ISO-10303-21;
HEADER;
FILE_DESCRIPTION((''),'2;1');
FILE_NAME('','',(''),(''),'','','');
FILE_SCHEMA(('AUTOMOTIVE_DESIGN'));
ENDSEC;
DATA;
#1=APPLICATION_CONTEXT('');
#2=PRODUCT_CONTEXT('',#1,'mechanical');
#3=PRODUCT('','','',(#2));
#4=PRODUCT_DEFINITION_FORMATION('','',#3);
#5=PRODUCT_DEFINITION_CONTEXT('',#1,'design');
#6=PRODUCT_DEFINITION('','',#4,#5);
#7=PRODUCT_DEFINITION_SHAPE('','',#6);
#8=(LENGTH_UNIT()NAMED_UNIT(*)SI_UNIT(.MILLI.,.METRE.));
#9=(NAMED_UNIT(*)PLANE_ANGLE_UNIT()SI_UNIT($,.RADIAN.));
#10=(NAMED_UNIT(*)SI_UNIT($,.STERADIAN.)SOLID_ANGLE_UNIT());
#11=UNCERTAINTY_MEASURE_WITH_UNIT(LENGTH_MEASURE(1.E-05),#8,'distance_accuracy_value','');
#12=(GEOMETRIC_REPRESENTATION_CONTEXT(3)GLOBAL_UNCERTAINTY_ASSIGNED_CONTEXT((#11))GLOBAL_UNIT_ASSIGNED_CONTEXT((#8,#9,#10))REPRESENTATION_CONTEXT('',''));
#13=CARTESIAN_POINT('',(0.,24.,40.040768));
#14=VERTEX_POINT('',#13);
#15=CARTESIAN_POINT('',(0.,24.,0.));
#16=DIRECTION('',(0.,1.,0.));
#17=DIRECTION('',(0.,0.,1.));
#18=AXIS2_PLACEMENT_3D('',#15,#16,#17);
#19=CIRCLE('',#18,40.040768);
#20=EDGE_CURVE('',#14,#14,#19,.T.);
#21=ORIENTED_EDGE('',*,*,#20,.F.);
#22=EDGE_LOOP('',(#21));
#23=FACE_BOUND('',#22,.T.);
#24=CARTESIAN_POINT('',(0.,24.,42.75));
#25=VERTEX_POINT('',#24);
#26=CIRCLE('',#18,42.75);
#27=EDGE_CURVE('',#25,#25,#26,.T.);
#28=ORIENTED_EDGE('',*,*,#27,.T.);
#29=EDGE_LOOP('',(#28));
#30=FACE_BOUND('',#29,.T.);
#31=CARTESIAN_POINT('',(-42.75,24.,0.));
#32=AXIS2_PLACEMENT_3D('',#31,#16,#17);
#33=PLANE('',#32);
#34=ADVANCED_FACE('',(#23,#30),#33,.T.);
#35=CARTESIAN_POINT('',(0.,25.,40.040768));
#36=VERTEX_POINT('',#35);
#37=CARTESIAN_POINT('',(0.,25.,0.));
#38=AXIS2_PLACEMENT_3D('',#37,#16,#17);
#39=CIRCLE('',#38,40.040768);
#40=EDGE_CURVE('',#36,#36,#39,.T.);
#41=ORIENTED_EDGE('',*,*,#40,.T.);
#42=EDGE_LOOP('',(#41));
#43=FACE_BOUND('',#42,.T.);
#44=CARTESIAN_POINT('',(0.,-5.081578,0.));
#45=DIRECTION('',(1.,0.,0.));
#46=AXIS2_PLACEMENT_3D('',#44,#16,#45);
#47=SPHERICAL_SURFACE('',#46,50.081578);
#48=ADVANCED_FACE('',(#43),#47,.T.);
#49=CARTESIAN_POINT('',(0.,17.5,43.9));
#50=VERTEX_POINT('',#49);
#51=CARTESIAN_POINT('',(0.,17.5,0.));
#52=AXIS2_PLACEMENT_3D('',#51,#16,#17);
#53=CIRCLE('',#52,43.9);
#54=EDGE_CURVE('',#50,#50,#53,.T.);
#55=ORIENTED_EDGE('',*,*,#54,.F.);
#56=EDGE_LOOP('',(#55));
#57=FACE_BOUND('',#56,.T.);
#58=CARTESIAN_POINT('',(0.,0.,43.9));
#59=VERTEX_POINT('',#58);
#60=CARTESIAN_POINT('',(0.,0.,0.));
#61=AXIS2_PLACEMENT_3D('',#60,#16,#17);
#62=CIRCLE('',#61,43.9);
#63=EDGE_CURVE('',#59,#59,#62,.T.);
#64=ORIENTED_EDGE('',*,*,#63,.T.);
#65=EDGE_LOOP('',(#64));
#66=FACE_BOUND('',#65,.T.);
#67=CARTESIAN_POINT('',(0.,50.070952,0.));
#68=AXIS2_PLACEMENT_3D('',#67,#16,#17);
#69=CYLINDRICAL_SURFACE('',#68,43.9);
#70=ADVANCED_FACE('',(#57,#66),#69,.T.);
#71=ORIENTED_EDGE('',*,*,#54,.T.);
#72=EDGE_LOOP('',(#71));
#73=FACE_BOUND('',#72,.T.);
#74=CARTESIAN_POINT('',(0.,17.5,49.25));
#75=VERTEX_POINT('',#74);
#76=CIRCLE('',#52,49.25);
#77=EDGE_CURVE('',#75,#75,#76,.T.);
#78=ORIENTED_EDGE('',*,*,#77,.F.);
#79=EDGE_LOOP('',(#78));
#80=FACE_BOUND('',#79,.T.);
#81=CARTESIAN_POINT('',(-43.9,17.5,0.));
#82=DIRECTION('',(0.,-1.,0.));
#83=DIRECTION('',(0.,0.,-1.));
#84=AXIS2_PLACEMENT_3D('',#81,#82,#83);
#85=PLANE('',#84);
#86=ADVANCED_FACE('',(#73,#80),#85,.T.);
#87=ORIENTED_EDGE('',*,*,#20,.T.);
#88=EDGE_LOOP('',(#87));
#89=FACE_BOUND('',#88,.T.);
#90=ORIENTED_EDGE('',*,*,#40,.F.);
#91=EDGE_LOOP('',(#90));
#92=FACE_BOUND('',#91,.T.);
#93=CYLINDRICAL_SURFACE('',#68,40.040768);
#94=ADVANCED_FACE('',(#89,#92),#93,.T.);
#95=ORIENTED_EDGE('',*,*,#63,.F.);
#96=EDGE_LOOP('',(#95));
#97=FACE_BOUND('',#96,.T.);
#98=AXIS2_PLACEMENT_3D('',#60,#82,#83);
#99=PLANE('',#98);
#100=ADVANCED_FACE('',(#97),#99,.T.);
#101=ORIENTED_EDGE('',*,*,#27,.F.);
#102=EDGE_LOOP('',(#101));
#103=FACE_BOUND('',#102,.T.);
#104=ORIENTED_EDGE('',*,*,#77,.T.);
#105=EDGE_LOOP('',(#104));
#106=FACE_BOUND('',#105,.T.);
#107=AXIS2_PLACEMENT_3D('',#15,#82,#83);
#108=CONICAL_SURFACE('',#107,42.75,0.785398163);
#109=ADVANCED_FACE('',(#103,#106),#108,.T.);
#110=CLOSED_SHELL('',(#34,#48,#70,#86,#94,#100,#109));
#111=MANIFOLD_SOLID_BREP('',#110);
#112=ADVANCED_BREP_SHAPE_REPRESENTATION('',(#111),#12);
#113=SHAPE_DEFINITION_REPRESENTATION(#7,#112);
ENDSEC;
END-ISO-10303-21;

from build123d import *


with BuildPart() as part:
    # Sketch1 → Revolve1 (revolve)
    with BuildSketch(Plane.XY, mode=Mode.PRIVATE) as revolve1_sk:
        with BuildLine():
            Line((-43.9, 0), (-43.9, 17.5))
            Line((-43.9, 17.5), (-49.25, 17.5))
            Line((-49.25, 17.5), (-42.75, 24))
            Line((-42.75, 24), (-40.04076822, 24))
            Line((-40.04076822, 24), (-40.04076822, 25))
            ThreePointArc((-40.04076822, 25), (-22.378913734, 39.721866901), (0, 45))
            Line((0, 45), (0, 0))
            Line((0, 0), (-43.9, 0))
        make_face()
    revolve(revolve1_sk.sketch.rotate(Axis((0, 50.070952166, 0), (0, -1, 0)), 270), axis=Axis((0, 50.070952166, 0), (0, -1, 0)))


solid = part.part
